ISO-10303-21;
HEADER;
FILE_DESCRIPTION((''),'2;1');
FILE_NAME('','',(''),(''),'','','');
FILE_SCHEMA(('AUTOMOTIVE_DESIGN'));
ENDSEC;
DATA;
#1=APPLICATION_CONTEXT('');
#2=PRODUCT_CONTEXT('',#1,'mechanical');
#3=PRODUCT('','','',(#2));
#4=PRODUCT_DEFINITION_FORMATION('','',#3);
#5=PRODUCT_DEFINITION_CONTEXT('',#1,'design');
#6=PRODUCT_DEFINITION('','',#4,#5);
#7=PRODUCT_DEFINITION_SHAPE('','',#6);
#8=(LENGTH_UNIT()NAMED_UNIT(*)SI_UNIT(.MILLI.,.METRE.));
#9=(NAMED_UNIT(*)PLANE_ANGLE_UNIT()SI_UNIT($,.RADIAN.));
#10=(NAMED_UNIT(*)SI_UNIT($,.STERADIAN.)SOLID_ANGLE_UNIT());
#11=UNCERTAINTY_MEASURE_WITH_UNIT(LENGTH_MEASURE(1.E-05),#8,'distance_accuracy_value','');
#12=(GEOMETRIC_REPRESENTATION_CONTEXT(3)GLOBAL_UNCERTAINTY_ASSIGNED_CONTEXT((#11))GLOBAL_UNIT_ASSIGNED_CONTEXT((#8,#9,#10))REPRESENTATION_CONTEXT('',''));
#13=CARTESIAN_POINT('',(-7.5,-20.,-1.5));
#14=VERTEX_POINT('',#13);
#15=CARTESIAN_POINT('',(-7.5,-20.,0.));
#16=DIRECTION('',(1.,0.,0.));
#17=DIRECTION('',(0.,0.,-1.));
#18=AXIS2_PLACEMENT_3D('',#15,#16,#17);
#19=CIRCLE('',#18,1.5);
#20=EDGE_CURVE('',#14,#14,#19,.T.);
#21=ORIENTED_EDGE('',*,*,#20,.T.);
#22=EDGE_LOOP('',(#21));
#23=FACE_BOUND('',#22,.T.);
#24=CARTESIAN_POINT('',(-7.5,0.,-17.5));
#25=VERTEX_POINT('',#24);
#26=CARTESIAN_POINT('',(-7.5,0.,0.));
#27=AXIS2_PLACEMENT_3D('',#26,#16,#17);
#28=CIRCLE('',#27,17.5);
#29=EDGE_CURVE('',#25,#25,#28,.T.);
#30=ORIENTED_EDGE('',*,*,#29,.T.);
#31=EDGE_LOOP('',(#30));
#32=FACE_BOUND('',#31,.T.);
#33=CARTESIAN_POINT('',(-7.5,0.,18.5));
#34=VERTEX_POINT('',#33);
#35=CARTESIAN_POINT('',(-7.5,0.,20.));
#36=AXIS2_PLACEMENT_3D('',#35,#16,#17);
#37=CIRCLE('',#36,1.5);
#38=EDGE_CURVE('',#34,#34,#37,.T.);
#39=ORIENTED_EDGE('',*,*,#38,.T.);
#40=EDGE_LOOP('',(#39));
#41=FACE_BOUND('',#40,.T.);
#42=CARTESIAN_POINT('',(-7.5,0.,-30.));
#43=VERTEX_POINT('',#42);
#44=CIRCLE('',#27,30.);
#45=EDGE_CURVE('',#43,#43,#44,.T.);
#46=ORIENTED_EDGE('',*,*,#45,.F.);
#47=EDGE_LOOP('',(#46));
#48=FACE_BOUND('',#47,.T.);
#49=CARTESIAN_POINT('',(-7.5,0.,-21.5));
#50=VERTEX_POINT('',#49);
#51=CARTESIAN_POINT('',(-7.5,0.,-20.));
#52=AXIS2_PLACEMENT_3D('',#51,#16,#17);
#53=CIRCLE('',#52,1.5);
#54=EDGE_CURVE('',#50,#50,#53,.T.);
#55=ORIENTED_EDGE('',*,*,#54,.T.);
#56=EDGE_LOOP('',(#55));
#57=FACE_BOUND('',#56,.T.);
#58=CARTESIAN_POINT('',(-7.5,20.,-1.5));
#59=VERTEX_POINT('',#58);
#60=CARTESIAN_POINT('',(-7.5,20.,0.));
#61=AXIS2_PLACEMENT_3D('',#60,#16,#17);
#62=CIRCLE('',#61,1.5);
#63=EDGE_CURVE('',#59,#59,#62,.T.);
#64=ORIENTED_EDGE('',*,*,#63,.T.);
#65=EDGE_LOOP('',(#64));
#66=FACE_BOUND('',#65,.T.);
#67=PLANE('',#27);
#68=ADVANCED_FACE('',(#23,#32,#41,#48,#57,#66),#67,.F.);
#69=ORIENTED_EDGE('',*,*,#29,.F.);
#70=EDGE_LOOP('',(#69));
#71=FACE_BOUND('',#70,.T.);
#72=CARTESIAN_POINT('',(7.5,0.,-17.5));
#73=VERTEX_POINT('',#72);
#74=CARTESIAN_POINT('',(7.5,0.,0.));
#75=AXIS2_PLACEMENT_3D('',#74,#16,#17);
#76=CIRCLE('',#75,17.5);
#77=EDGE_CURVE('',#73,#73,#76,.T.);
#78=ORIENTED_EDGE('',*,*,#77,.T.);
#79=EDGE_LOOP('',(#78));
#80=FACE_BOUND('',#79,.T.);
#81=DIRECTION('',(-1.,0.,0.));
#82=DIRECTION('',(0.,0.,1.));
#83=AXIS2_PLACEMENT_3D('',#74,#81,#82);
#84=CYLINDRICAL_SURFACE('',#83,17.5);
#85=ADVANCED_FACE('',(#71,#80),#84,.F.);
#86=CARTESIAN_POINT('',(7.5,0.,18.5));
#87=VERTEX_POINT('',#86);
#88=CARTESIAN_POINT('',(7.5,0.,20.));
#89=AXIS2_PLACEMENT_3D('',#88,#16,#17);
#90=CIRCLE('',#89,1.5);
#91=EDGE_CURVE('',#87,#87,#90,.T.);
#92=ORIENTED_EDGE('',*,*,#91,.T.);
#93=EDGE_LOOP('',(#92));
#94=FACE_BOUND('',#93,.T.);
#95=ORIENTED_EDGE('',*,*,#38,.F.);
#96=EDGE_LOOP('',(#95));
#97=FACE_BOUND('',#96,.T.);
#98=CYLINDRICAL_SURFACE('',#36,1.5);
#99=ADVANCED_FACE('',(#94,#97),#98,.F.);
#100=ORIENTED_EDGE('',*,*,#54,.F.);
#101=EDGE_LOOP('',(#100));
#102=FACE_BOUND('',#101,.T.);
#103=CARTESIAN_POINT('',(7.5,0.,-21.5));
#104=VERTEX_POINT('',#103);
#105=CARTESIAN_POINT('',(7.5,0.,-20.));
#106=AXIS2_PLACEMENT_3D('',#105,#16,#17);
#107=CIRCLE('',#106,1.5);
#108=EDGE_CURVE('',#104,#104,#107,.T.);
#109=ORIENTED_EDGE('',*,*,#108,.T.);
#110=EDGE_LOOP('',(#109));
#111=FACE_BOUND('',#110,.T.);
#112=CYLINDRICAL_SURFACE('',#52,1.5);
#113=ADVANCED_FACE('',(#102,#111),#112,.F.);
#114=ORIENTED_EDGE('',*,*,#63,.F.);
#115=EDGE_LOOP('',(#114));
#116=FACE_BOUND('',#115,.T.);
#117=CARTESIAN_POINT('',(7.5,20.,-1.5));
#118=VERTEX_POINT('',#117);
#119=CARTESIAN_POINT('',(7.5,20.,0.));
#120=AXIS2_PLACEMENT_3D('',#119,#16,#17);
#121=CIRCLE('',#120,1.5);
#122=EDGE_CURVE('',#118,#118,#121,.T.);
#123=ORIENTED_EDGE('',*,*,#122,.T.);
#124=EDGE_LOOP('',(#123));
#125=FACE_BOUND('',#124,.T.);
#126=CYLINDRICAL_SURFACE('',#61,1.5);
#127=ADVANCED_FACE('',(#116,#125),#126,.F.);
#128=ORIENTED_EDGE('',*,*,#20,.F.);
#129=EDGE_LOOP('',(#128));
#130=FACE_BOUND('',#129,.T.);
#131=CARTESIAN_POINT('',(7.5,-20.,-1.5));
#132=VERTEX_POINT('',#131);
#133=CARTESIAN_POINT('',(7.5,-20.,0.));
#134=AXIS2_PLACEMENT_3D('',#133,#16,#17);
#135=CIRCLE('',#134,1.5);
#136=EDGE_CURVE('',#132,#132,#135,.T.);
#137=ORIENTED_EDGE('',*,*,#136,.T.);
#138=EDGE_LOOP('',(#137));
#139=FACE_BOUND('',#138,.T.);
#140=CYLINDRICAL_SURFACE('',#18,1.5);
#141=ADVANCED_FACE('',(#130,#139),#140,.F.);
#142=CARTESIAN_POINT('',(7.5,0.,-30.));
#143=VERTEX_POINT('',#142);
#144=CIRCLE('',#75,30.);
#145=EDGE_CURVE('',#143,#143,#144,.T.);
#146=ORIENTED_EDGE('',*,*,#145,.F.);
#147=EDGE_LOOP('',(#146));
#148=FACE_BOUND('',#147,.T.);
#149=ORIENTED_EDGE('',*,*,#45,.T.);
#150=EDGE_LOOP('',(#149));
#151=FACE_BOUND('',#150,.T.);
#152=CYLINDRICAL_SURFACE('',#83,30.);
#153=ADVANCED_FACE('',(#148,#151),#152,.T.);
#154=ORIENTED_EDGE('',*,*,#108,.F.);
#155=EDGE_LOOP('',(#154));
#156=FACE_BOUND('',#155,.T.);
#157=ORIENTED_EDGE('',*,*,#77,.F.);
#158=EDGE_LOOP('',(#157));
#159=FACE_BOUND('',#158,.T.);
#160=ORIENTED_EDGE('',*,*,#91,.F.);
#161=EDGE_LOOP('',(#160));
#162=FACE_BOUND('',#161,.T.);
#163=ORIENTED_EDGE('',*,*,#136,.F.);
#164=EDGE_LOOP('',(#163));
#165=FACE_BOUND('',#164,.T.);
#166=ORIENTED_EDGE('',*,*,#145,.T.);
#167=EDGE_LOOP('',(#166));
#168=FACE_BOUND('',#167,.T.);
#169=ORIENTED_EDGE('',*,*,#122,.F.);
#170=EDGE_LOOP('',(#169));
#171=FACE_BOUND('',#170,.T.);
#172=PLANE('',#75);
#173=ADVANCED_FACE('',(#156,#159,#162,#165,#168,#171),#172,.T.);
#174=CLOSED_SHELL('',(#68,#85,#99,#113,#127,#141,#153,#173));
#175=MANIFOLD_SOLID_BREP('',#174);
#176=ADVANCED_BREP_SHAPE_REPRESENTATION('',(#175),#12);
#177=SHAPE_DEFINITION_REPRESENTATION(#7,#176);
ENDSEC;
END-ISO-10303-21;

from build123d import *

# Parameters (mm, degrees)
SKETCH1_R           = 30
SKETCH1_R_2         = 17.5
BOSS_EXTRUDE1_DEPTH = 7.5
SKETCH2_R           = 1.5
CUT_EXTRUDE1_DEPTH  = 46


with BuildPart() as part:
    # Sketch1 → Boss-Extrude1 (new, symmetric)
    with BuildSketch(Plane(origin=(0, 0, 0), x_dir=(0, 0, -1), z_dir=(1, 0, 0))):
        Circle(SKETCH1_R)
        Circle(SKETCH1_R_2, mode=Mode.SUBTRACT)
    extrude(amount=BOSS_EXTRUDE1_DEPTH, both=True)

    # Sketch2 → Cut-Extrude1 (cut, through all)
    with BuildSketch(Plane(origin=(7.5, 0, 0), x_dir=(0, 0, -1), z_dir=(1, 0, 0))):
        with Locations((0, 20)):
            Circle(SKETCH2_R)
        with Locations((20, 0)):
            Circle(SKETCH2_R)
        with Locations((0, -20)):
            Circle(SKETCH2_R)
        with Locations((-20, 0)):
            Circle(SKETCH2_R)
    extrude(amount=-CUT_EXTRUDE1_DEPTH, mode=Mode.SUBTRACT)


solid = part.part
